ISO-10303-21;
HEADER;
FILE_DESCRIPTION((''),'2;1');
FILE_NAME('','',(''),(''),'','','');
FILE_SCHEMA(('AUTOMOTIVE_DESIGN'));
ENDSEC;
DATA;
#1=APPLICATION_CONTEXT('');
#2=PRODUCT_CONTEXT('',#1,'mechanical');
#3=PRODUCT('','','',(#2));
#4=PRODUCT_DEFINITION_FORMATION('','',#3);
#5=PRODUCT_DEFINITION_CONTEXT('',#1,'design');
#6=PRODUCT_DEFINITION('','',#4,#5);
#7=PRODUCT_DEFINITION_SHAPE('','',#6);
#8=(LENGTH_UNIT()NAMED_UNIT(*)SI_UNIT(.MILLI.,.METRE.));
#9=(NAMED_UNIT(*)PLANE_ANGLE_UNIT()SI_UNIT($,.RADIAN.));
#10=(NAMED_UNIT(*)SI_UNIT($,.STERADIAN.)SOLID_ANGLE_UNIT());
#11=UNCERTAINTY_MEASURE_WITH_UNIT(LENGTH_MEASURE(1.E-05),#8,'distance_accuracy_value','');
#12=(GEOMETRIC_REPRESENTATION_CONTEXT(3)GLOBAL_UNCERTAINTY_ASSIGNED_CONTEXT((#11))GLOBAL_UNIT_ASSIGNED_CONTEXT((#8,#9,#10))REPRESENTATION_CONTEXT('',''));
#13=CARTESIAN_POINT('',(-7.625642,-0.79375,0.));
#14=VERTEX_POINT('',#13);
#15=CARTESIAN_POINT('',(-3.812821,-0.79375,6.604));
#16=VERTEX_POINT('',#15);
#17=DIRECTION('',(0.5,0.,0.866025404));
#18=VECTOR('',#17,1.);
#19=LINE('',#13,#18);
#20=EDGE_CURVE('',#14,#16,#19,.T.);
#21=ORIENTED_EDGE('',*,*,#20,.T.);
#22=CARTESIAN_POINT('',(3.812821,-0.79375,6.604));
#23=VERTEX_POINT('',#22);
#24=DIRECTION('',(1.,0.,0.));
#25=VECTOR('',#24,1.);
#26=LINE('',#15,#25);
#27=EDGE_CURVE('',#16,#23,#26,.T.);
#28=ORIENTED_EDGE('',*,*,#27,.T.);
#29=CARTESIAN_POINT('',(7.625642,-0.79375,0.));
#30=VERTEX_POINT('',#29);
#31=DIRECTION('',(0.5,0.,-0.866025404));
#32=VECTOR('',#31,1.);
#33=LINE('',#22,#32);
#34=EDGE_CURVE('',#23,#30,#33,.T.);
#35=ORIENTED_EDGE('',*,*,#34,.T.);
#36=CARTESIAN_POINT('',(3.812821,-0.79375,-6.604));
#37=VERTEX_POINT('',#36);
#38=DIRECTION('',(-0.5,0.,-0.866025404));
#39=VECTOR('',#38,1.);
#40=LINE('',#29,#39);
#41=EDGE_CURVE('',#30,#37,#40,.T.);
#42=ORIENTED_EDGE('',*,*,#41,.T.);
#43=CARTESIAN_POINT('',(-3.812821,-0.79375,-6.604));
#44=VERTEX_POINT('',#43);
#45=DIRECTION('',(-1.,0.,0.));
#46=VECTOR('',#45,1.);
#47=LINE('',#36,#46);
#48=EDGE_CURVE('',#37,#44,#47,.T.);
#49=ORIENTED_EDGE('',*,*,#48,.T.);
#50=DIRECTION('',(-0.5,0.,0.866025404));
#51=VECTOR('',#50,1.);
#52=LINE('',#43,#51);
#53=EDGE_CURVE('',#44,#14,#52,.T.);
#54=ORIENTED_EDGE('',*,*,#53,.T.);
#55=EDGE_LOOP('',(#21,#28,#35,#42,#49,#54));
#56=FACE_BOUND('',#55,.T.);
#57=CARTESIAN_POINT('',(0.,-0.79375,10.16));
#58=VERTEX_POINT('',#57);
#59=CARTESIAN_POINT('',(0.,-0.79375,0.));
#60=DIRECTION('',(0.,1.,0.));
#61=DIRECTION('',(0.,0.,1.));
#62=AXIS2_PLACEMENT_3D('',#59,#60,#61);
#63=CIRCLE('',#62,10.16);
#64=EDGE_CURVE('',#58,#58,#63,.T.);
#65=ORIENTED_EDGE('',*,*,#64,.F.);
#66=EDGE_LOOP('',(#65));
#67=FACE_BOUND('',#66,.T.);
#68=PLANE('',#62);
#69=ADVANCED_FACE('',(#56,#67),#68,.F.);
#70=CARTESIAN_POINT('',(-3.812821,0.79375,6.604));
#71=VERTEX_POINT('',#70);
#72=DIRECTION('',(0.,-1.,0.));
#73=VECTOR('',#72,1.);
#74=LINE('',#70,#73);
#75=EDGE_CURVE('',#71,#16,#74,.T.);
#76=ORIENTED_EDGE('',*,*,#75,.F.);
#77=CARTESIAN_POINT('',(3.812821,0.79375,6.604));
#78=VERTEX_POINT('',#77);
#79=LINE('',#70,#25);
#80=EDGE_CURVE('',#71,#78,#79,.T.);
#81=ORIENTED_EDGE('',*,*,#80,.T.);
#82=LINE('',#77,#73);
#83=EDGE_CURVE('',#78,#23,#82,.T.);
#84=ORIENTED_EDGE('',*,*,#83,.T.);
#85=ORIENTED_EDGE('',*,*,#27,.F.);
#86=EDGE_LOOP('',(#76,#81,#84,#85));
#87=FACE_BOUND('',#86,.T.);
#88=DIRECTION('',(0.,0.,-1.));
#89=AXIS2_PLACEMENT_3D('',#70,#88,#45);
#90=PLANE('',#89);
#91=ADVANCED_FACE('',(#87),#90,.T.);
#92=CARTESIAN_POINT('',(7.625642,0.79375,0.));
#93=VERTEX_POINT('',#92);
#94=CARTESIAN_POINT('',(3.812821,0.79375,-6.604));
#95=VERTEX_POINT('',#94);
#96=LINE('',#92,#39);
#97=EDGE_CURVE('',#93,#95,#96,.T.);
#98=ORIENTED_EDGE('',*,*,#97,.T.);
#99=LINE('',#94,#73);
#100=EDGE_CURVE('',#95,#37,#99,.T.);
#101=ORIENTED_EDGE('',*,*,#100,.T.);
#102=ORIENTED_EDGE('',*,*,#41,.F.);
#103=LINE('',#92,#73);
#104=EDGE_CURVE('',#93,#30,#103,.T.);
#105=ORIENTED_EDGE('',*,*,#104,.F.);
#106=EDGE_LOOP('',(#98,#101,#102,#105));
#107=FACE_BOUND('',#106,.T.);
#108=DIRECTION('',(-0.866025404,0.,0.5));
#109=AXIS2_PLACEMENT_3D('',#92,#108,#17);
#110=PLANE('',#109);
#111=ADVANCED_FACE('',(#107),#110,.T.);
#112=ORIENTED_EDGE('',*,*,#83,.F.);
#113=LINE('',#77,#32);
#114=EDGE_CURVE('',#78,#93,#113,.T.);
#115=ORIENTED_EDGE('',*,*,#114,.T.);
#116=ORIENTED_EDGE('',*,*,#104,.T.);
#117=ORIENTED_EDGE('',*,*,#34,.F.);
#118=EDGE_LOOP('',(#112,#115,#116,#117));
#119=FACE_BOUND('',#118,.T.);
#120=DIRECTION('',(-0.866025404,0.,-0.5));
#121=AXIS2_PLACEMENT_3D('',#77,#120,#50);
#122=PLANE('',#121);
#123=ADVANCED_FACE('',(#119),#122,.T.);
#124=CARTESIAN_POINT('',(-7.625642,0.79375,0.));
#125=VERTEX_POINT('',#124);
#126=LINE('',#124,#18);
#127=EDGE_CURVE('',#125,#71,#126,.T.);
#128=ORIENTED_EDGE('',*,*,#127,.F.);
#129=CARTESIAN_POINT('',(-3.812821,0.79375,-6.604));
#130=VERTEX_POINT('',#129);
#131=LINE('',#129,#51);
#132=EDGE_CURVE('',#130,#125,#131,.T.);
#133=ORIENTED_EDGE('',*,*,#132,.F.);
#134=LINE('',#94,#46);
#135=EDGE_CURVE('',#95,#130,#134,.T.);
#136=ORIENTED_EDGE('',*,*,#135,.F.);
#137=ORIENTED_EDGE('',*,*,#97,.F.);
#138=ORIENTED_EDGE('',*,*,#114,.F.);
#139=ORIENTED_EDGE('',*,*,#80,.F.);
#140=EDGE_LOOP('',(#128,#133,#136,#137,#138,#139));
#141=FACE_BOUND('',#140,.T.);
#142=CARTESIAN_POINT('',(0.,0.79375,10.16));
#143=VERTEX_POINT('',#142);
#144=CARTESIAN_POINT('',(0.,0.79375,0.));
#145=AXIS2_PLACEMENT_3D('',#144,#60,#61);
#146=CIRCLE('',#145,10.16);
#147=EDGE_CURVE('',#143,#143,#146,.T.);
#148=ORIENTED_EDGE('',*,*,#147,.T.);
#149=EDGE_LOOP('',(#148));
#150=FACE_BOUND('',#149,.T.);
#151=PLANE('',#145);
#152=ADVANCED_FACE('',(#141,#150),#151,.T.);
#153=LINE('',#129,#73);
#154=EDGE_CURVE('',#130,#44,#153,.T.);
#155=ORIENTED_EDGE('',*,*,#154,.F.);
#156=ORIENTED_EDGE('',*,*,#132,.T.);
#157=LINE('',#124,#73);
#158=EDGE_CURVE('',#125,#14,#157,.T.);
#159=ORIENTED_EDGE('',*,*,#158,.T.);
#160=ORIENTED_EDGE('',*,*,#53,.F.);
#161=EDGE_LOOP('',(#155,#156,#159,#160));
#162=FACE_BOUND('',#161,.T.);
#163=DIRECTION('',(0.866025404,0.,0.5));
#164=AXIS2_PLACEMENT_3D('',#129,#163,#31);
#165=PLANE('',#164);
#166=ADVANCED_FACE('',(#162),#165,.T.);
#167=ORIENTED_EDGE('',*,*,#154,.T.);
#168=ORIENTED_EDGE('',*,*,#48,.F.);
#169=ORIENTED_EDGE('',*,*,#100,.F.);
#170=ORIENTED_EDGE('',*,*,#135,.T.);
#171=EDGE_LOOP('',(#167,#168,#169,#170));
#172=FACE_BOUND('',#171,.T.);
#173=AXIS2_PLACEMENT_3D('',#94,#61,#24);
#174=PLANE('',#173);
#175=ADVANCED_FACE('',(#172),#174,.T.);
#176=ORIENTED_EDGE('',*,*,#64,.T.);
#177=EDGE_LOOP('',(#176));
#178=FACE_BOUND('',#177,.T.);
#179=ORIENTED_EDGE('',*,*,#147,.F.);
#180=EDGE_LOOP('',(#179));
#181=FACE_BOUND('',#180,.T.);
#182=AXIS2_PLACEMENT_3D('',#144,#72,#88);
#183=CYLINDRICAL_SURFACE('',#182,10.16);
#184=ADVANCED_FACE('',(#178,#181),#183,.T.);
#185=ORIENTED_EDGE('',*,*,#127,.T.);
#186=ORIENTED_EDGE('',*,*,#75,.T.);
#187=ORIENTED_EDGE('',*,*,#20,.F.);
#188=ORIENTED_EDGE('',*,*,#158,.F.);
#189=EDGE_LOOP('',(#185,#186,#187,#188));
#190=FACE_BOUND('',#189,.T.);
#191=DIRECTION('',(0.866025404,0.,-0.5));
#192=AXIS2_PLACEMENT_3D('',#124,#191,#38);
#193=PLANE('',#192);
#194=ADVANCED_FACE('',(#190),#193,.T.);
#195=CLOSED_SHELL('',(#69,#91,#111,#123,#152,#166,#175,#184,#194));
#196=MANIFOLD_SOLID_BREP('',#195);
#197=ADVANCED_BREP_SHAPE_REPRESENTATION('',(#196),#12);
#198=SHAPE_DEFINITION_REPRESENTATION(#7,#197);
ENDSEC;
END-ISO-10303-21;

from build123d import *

# Parameters (mm, degrees)
SKETCH1_R           = 10.16
BOSS_EXTRUDE1_DEPTH = 0.79375


with BuildPart() as part:
    # Sketch1 → Boss-Extrude1 (new, symmetric)
    with BuildSketch(Plane(origin=(0, 0, 0), x_dir=(1, 0, 0), z_dir=(0, 1, 0))):
        with Locations(Location((0, 0, 0), (0, 0, 270))):
            Circle(SKETCH1_R)
        Polygon((7.625642355, 0), (3.812821178, 6.604), (-3.812821178, 6.604), (-7.625642355, 0), (-3.812821178, -6.604), (3.812821178, -6.604), align=None, mode=Mode.SUBTRACT)
    extrude(amount=BOSS_EXTRUDE1_DEPTH, both=True)


solid = part.part
